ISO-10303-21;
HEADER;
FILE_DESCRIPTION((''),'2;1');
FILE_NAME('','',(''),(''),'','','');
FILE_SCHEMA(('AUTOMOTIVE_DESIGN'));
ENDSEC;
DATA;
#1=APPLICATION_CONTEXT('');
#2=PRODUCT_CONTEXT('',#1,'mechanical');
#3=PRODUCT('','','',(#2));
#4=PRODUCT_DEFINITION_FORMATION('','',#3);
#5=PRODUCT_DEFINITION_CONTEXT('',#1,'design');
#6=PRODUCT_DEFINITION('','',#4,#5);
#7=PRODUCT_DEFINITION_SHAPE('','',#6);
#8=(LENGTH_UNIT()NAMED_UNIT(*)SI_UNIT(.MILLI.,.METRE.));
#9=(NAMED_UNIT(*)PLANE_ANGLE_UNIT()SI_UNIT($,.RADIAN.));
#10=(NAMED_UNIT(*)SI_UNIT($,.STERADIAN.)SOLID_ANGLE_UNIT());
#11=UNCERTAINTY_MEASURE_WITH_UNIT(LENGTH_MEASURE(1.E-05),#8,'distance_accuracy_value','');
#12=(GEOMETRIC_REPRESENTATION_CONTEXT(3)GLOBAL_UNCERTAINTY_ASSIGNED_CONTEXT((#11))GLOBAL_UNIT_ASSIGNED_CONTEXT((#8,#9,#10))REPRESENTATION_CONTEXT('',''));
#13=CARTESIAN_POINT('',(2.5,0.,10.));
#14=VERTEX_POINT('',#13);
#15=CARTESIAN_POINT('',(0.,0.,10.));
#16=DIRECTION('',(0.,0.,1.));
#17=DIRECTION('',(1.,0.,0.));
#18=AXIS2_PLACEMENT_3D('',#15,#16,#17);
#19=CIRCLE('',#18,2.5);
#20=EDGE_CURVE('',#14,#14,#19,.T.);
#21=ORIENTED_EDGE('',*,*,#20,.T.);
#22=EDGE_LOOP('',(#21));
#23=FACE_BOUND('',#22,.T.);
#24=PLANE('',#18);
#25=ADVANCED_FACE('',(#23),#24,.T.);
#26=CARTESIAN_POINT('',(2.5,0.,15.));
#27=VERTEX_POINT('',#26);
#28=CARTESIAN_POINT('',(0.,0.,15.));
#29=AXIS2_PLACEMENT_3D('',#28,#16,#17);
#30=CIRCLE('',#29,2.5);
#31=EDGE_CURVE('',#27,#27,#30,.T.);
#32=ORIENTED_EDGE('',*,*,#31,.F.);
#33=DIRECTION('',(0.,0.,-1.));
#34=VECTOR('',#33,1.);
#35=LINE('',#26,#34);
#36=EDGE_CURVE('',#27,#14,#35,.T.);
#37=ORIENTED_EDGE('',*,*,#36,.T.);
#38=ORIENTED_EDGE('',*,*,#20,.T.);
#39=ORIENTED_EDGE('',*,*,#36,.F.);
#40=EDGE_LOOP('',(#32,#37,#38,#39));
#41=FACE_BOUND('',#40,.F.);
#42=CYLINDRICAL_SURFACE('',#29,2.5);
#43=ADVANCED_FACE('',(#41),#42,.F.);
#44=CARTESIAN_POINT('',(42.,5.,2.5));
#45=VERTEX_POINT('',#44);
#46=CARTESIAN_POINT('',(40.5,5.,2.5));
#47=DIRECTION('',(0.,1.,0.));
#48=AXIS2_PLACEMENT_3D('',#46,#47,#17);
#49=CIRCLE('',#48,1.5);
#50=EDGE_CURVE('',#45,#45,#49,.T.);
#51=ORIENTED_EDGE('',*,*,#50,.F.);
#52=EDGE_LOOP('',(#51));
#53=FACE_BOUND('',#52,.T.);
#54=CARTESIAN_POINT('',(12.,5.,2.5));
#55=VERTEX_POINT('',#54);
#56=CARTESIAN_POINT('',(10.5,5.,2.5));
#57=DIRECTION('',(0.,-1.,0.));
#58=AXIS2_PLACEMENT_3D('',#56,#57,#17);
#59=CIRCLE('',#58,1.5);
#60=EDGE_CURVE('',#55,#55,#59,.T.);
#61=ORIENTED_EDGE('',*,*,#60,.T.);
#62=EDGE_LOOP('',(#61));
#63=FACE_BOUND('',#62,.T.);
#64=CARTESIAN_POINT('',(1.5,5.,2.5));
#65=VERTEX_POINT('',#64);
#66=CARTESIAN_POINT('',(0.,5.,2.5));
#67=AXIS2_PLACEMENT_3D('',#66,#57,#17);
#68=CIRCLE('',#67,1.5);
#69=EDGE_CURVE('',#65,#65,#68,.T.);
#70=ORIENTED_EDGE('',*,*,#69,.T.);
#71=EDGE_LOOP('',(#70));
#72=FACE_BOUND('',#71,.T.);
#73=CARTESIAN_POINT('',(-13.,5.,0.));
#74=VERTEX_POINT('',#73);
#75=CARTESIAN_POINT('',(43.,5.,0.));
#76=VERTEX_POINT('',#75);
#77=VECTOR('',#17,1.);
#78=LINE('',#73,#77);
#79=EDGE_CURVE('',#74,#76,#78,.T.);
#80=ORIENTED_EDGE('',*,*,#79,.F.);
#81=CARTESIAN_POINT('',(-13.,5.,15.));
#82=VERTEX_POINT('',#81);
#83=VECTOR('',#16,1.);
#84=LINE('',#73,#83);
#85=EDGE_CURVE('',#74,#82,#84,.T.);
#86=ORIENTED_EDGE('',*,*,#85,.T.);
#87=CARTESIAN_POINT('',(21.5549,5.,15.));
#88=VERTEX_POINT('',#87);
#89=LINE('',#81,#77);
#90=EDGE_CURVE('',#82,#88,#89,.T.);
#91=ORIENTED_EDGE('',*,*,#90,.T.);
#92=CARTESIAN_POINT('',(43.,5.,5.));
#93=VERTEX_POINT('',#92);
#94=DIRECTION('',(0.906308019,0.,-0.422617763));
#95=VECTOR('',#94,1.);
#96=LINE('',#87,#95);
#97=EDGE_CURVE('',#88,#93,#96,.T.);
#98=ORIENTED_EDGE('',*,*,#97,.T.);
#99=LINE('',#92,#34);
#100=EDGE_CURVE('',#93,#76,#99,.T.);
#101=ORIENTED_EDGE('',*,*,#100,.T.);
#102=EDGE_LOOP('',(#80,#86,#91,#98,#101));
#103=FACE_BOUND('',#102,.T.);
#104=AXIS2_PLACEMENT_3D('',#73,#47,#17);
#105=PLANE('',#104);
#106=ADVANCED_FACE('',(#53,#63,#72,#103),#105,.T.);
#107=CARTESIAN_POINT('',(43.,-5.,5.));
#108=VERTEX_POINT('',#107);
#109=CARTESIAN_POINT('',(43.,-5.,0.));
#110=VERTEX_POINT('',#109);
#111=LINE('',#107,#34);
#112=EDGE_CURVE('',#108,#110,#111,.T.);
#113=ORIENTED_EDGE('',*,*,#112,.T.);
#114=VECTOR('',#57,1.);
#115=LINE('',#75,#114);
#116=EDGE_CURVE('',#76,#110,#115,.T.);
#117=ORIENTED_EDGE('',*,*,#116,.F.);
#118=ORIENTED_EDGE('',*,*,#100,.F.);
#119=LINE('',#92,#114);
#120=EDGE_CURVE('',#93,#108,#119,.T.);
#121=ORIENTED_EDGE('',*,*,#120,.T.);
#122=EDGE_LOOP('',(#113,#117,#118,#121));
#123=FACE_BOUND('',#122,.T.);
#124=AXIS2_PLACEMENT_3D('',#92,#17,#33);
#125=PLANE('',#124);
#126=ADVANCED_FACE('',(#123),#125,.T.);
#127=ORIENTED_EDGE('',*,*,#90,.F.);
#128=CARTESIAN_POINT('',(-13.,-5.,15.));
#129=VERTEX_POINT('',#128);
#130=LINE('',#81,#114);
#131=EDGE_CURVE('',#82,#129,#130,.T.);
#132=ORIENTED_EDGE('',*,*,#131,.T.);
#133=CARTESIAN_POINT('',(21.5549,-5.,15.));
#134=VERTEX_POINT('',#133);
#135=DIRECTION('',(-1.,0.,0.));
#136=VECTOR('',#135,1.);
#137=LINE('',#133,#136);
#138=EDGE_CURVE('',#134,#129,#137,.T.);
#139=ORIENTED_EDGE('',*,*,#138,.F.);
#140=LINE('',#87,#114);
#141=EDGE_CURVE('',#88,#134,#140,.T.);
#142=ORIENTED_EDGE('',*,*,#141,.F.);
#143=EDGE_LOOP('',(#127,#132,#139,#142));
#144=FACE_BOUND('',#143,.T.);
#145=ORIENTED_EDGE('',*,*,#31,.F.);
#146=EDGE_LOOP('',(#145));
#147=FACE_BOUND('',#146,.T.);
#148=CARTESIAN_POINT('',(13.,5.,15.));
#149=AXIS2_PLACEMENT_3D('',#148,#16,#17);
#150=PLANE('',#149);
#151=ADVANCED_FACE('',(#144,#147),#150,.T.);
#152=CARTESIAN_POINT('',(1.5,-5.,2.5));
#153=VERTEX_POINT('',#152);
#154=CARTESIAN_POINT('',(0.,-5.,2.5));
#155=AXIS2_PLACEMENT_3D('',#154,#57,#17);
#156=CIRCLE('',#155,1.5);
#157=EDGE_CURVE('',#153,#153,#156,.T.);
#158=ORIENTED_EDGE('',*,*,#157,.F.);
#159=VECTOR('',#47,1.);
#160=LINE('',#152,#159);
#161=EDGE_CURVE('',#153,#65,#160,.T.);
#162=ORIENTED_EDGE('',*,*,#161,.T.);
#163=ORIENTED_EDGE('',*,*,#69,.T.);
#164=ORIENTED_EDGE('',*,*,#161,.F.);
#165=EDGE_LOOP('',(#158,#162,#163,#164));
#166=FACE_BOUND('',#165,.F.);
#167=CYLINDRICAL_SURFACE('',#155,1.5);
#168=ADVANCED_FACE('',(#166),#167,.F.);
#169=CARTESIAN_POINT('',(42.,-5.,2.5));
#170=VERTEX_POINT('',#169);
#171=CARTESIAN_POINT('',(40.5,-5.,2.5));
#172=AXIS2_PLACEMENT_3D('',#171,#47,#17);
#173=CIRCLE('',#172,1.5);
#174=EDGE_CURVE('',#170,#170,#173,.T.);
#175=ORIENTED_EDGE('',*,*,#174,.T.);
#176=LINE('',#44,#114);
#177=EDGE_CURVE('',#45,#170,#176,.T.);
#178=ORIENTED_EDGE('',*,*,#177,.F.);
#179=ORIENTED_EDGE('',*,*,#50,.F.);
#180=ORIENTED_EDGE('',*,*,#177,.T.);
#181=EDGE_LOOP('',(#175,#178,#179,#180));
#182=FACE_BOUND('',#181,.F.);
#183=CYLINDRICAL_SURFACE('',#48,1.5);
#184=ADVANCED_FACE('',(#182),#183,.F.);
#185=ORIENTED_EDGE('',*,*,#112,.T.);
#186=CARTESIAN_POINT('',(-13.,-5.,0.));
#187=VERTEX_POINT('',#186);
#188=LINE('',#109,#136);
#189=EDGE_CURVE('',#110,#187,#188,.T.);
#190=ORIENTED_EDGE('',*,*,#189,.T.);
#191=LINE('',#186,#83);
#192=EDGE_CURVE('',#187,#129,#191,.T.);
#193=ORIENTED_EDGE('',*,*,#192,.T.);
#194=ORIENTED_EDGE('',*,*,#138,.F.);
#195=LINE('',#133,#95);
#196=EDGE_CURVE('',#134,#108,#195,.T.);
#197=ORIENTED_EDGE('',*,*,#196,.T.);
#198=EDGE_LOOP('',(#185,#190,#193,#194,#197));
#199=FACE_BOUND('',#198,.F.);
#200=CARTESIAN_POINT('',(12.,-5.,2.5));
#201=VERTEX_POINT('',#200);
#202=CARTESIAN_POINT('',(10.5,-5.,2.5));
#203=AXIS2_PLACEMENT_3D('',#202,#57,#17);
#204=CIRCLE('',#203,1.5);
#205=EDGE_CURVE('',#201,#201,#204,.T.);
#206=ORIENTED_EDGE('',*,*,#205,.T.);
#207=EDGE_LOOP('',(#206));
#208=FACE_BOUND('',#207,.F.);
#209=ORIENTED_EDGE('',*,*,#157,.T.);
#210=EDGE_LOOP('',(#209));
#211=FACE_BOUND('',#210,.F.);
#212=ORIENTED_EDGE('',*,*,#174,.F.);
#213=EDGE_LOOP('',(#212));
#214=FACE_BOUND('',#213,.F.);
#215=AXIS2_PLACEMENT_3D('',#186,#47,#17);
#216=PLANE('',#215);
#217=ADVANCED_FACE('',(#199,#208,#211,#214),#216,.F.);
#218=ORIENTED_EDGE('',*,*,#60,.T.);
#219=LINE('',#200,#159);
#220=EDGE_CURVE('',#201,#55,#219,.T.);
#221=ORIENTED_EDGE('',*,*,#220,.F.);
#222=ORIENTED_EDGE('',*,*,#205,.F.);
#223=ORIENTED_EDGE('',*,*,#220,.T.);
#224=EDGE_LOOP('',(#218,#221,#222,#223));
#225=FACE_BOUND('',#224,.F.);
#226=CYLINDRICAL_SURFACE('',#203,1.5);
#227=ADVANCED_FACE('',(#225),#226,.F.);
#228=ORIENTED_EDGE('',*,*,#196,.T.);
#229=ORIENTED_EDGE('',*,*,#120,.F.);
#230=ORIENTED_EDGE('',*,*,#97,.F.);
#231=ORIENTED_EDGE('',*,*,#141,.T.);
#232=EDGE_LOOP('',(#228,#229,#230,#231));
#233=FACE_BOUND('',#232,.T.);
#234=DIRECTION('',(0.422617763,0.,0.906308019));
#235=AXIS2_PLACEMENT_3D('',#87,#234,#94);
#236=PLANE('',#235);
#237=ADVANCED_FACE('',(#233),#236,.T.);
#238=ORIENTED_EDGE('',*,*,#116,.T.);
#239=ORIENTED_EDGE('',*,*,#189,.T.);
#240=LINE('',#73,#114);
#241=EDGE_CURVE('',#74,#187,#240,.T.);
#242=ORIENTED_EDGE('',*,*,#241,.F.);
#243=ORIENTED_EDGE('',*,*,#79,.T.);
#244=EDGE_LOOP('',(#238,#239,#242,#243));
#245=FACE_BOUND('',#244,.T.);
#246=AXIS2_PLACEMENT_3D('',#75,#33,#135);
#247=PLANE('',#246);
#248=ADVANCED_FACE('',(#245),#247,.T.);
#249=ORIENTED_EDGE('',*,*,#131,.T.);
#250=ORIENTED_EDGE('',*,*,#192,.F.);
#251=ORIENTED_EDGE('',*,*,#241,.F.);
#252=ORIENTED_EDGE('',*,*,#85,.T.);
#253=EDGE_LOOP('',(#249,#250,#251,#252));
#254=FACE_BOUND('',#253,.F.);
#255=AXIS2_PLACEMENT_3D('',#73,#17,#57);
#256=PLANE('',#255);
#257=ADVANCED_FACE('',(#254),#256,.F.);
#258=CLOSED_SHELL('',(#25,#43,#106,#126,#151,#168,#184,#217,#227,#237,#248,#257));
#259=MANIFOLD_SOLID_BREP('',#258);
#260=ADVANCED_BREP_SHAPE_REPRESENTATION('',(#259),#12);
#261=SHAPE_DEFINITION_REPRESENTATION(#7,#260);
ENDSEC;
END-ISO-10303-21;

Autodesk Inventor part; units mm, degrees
ref_plane "YZ Plane" through (0, 0, 0) normal (1, 0, 0) x (0, 1, 0)
ref_plane "XZ Plane" through (0, 0, 0) normal (0, 1, 0) x (-1, 0, 0)
ref_plane "XY Plane" through (0, 0, 0) normal (0, 0, 1) x (1, 0, 0)
sketch "스케치1" plane through (0, 0, 0) normal (0, 0, 1) x (1, 0, 0)
  line L0 (-13, -5) -> (13, -5)
  line L1 (13, -5) -> (13, 5)
  line L2 (13, 5) -> (-13, 5)
  line L3 (-13, 5) -> (-13, -5)
  line L4 (-13, -5) -> (13, 5) construction
  line L5 (13, -5) -> (-13, 5) construction
  point P0 (0, 0)
  dimension "d0" = 26
  dimension "d1" = 10
extrude "돌출1" add sketch "스케치1" along normal blind 15
sketch "스케치2" plane through (-13, -5, 0) normal (0, -1, 0) x (1, 0, 0)
  circle A0 centre (13, 2.5) radius 1.5
  line L0 (0, 0) -> (26, 0) projected
  line L1 (0, 0) -> (0, 15) projected
  circle A1 centre (23.5, 2.5) radius 1.5
  line L2 (26, 0) -> (26, 15) projected
  point P0 (13, 0)
  point P1 (13, 0)
  point P2 (13, 0)
  dimension "d4" = 3
  dimension "d7" = 2.5
  dimension "d11" = 2.5
  dimension "d12" = 2.5
extrude "돌출2" cut sketch "스케치2" against normal through all
sketch "스케치3" plane through (0, 0, 15) normal (0, 0, 1) x (1, 0, 0)
  circle A0 centre (0, 0) radius 2.5
  dimension "d8" = 5
extrude "돌출3" cut sketch "스케치3" against normal blind 5
sketch "스케치5" plane through (-13, 5, 0) normal (0, 1, 0) x (1, 0, 0)
  line L0 (26, -15) -> (34.5549, -15)
  line L1 (34.5549, -15) -> (56, -5)
  line L2 (56, -5) -> (56, 0)
  line L3 (56, 0) -> (26, 0)
  circle A0 centre (53.5, -2.5) radius 1.5
  line L4 (26, 0) -> (26, -15) projected
  point P0 (13, 0)
  point P1 (56, -2.5)
  dimension "d13" = 5
  dimension "d14" = 115
  dimension "d15" = 30
  dimension "d16" = 3
  dimension "d17" = 2.5
extrude "돌출4" add sketch "스케치5" against normal up to surface (10 mm away)
equation "\"d11\" = d7"
equation "\"d12\" = d11"
properties part number "Steering"
